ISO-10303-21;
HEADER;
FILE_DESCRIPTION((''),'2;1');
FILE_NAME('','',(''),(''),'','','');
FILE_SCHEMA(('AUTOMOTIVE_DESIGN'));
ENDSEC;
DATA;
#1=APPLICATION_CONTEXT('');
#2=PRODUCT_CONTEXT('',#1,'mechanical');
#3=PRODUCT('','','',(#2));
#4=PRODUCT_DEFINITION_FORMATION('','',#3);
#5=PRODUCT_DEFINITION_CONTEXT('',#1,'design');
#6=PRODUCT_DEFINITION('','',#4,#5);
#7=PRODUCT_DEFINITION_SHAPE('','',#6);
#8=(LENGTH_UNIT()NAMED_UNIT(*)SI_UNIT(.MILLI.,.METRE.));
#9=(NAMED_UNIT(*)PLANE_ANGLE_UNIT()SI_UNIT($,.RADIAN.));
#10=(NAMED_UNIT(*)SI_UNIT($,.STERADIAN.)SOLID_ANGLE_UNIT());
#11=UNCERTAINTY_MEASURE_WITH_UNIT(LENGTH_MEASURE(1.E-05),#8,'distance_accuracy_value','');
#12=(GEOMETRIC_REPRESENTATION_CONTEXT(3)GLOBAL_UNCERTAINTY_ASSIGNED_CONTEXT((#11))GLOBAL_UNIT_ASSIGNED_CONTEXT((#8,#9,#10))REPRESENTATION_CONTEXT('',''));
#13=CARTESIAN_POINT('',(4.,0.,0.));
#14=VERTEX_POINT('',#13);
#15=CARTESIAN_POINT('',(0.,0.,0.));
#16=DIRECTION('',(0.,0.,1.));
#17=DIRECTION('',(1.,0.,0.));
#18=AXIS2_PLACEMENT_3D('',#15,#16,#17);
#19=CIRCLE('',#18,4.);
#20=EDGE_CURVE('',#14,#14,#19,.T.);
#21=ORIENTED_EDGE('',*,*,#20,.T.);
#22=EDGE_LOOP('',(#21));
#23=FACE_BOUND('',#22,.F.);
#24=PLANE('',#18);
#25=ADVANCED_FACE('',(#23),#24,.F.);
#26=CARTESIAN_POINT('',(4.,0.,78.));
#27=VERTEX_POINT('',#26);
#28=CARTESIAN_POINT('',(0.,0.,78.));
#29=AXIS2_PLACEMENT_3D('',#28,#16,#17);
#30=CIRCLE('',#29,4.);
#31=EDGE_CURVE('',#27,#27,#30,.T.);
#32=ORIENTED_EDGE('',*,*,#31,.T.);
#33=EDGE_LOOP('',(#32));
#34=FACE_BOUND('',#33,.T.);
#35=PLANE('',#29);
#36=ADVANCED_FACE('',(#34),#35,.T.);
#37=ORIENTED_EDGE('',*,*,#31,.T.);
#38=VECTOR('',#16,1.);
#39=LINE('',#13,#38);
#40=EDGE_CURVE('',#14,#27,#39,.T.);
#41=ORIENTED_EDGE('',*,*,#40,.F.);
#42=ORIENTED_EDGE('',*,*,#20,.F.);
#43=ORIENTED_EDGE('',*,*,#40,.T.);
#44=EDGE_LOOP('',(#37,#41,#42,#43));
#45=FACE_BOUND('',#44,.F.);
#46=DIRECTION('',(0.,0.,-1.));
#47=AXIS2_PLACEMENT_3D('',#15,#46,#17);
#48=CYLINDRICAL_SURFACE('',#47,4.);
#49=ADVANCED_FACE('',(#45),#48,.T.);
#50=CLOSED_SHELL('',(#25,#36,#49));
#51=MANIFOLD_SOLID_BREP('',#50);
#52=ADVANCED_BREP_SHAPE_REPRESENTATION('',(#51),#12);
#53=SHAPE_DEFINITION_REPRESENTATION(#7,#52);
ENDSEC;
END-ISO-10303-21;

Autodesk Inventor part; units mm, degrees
ref_plane "YZ Plane" through (0, 0, 0) normal (1, 0, 0) x (0, 1, 0)
ref_plane "XZ Plane" through (0, 0, 0) normal (0, 1, 0) x (-1, 0, 0)
ref_plane "XY Plane" through (0, 0, 0) normal (0, 0, 1) x (1, 0, 0)
sketch "Sketch1" plane through (0, 0, 0) normal (0, 0, 1) x (1, 0, 0)
  circle A0 centre (0, 0) radius 4
  dimension "d0" = 8
extrude "Extrusion1" add sketch "Sketch1" along normal blind 78
properties part number "axis2"
